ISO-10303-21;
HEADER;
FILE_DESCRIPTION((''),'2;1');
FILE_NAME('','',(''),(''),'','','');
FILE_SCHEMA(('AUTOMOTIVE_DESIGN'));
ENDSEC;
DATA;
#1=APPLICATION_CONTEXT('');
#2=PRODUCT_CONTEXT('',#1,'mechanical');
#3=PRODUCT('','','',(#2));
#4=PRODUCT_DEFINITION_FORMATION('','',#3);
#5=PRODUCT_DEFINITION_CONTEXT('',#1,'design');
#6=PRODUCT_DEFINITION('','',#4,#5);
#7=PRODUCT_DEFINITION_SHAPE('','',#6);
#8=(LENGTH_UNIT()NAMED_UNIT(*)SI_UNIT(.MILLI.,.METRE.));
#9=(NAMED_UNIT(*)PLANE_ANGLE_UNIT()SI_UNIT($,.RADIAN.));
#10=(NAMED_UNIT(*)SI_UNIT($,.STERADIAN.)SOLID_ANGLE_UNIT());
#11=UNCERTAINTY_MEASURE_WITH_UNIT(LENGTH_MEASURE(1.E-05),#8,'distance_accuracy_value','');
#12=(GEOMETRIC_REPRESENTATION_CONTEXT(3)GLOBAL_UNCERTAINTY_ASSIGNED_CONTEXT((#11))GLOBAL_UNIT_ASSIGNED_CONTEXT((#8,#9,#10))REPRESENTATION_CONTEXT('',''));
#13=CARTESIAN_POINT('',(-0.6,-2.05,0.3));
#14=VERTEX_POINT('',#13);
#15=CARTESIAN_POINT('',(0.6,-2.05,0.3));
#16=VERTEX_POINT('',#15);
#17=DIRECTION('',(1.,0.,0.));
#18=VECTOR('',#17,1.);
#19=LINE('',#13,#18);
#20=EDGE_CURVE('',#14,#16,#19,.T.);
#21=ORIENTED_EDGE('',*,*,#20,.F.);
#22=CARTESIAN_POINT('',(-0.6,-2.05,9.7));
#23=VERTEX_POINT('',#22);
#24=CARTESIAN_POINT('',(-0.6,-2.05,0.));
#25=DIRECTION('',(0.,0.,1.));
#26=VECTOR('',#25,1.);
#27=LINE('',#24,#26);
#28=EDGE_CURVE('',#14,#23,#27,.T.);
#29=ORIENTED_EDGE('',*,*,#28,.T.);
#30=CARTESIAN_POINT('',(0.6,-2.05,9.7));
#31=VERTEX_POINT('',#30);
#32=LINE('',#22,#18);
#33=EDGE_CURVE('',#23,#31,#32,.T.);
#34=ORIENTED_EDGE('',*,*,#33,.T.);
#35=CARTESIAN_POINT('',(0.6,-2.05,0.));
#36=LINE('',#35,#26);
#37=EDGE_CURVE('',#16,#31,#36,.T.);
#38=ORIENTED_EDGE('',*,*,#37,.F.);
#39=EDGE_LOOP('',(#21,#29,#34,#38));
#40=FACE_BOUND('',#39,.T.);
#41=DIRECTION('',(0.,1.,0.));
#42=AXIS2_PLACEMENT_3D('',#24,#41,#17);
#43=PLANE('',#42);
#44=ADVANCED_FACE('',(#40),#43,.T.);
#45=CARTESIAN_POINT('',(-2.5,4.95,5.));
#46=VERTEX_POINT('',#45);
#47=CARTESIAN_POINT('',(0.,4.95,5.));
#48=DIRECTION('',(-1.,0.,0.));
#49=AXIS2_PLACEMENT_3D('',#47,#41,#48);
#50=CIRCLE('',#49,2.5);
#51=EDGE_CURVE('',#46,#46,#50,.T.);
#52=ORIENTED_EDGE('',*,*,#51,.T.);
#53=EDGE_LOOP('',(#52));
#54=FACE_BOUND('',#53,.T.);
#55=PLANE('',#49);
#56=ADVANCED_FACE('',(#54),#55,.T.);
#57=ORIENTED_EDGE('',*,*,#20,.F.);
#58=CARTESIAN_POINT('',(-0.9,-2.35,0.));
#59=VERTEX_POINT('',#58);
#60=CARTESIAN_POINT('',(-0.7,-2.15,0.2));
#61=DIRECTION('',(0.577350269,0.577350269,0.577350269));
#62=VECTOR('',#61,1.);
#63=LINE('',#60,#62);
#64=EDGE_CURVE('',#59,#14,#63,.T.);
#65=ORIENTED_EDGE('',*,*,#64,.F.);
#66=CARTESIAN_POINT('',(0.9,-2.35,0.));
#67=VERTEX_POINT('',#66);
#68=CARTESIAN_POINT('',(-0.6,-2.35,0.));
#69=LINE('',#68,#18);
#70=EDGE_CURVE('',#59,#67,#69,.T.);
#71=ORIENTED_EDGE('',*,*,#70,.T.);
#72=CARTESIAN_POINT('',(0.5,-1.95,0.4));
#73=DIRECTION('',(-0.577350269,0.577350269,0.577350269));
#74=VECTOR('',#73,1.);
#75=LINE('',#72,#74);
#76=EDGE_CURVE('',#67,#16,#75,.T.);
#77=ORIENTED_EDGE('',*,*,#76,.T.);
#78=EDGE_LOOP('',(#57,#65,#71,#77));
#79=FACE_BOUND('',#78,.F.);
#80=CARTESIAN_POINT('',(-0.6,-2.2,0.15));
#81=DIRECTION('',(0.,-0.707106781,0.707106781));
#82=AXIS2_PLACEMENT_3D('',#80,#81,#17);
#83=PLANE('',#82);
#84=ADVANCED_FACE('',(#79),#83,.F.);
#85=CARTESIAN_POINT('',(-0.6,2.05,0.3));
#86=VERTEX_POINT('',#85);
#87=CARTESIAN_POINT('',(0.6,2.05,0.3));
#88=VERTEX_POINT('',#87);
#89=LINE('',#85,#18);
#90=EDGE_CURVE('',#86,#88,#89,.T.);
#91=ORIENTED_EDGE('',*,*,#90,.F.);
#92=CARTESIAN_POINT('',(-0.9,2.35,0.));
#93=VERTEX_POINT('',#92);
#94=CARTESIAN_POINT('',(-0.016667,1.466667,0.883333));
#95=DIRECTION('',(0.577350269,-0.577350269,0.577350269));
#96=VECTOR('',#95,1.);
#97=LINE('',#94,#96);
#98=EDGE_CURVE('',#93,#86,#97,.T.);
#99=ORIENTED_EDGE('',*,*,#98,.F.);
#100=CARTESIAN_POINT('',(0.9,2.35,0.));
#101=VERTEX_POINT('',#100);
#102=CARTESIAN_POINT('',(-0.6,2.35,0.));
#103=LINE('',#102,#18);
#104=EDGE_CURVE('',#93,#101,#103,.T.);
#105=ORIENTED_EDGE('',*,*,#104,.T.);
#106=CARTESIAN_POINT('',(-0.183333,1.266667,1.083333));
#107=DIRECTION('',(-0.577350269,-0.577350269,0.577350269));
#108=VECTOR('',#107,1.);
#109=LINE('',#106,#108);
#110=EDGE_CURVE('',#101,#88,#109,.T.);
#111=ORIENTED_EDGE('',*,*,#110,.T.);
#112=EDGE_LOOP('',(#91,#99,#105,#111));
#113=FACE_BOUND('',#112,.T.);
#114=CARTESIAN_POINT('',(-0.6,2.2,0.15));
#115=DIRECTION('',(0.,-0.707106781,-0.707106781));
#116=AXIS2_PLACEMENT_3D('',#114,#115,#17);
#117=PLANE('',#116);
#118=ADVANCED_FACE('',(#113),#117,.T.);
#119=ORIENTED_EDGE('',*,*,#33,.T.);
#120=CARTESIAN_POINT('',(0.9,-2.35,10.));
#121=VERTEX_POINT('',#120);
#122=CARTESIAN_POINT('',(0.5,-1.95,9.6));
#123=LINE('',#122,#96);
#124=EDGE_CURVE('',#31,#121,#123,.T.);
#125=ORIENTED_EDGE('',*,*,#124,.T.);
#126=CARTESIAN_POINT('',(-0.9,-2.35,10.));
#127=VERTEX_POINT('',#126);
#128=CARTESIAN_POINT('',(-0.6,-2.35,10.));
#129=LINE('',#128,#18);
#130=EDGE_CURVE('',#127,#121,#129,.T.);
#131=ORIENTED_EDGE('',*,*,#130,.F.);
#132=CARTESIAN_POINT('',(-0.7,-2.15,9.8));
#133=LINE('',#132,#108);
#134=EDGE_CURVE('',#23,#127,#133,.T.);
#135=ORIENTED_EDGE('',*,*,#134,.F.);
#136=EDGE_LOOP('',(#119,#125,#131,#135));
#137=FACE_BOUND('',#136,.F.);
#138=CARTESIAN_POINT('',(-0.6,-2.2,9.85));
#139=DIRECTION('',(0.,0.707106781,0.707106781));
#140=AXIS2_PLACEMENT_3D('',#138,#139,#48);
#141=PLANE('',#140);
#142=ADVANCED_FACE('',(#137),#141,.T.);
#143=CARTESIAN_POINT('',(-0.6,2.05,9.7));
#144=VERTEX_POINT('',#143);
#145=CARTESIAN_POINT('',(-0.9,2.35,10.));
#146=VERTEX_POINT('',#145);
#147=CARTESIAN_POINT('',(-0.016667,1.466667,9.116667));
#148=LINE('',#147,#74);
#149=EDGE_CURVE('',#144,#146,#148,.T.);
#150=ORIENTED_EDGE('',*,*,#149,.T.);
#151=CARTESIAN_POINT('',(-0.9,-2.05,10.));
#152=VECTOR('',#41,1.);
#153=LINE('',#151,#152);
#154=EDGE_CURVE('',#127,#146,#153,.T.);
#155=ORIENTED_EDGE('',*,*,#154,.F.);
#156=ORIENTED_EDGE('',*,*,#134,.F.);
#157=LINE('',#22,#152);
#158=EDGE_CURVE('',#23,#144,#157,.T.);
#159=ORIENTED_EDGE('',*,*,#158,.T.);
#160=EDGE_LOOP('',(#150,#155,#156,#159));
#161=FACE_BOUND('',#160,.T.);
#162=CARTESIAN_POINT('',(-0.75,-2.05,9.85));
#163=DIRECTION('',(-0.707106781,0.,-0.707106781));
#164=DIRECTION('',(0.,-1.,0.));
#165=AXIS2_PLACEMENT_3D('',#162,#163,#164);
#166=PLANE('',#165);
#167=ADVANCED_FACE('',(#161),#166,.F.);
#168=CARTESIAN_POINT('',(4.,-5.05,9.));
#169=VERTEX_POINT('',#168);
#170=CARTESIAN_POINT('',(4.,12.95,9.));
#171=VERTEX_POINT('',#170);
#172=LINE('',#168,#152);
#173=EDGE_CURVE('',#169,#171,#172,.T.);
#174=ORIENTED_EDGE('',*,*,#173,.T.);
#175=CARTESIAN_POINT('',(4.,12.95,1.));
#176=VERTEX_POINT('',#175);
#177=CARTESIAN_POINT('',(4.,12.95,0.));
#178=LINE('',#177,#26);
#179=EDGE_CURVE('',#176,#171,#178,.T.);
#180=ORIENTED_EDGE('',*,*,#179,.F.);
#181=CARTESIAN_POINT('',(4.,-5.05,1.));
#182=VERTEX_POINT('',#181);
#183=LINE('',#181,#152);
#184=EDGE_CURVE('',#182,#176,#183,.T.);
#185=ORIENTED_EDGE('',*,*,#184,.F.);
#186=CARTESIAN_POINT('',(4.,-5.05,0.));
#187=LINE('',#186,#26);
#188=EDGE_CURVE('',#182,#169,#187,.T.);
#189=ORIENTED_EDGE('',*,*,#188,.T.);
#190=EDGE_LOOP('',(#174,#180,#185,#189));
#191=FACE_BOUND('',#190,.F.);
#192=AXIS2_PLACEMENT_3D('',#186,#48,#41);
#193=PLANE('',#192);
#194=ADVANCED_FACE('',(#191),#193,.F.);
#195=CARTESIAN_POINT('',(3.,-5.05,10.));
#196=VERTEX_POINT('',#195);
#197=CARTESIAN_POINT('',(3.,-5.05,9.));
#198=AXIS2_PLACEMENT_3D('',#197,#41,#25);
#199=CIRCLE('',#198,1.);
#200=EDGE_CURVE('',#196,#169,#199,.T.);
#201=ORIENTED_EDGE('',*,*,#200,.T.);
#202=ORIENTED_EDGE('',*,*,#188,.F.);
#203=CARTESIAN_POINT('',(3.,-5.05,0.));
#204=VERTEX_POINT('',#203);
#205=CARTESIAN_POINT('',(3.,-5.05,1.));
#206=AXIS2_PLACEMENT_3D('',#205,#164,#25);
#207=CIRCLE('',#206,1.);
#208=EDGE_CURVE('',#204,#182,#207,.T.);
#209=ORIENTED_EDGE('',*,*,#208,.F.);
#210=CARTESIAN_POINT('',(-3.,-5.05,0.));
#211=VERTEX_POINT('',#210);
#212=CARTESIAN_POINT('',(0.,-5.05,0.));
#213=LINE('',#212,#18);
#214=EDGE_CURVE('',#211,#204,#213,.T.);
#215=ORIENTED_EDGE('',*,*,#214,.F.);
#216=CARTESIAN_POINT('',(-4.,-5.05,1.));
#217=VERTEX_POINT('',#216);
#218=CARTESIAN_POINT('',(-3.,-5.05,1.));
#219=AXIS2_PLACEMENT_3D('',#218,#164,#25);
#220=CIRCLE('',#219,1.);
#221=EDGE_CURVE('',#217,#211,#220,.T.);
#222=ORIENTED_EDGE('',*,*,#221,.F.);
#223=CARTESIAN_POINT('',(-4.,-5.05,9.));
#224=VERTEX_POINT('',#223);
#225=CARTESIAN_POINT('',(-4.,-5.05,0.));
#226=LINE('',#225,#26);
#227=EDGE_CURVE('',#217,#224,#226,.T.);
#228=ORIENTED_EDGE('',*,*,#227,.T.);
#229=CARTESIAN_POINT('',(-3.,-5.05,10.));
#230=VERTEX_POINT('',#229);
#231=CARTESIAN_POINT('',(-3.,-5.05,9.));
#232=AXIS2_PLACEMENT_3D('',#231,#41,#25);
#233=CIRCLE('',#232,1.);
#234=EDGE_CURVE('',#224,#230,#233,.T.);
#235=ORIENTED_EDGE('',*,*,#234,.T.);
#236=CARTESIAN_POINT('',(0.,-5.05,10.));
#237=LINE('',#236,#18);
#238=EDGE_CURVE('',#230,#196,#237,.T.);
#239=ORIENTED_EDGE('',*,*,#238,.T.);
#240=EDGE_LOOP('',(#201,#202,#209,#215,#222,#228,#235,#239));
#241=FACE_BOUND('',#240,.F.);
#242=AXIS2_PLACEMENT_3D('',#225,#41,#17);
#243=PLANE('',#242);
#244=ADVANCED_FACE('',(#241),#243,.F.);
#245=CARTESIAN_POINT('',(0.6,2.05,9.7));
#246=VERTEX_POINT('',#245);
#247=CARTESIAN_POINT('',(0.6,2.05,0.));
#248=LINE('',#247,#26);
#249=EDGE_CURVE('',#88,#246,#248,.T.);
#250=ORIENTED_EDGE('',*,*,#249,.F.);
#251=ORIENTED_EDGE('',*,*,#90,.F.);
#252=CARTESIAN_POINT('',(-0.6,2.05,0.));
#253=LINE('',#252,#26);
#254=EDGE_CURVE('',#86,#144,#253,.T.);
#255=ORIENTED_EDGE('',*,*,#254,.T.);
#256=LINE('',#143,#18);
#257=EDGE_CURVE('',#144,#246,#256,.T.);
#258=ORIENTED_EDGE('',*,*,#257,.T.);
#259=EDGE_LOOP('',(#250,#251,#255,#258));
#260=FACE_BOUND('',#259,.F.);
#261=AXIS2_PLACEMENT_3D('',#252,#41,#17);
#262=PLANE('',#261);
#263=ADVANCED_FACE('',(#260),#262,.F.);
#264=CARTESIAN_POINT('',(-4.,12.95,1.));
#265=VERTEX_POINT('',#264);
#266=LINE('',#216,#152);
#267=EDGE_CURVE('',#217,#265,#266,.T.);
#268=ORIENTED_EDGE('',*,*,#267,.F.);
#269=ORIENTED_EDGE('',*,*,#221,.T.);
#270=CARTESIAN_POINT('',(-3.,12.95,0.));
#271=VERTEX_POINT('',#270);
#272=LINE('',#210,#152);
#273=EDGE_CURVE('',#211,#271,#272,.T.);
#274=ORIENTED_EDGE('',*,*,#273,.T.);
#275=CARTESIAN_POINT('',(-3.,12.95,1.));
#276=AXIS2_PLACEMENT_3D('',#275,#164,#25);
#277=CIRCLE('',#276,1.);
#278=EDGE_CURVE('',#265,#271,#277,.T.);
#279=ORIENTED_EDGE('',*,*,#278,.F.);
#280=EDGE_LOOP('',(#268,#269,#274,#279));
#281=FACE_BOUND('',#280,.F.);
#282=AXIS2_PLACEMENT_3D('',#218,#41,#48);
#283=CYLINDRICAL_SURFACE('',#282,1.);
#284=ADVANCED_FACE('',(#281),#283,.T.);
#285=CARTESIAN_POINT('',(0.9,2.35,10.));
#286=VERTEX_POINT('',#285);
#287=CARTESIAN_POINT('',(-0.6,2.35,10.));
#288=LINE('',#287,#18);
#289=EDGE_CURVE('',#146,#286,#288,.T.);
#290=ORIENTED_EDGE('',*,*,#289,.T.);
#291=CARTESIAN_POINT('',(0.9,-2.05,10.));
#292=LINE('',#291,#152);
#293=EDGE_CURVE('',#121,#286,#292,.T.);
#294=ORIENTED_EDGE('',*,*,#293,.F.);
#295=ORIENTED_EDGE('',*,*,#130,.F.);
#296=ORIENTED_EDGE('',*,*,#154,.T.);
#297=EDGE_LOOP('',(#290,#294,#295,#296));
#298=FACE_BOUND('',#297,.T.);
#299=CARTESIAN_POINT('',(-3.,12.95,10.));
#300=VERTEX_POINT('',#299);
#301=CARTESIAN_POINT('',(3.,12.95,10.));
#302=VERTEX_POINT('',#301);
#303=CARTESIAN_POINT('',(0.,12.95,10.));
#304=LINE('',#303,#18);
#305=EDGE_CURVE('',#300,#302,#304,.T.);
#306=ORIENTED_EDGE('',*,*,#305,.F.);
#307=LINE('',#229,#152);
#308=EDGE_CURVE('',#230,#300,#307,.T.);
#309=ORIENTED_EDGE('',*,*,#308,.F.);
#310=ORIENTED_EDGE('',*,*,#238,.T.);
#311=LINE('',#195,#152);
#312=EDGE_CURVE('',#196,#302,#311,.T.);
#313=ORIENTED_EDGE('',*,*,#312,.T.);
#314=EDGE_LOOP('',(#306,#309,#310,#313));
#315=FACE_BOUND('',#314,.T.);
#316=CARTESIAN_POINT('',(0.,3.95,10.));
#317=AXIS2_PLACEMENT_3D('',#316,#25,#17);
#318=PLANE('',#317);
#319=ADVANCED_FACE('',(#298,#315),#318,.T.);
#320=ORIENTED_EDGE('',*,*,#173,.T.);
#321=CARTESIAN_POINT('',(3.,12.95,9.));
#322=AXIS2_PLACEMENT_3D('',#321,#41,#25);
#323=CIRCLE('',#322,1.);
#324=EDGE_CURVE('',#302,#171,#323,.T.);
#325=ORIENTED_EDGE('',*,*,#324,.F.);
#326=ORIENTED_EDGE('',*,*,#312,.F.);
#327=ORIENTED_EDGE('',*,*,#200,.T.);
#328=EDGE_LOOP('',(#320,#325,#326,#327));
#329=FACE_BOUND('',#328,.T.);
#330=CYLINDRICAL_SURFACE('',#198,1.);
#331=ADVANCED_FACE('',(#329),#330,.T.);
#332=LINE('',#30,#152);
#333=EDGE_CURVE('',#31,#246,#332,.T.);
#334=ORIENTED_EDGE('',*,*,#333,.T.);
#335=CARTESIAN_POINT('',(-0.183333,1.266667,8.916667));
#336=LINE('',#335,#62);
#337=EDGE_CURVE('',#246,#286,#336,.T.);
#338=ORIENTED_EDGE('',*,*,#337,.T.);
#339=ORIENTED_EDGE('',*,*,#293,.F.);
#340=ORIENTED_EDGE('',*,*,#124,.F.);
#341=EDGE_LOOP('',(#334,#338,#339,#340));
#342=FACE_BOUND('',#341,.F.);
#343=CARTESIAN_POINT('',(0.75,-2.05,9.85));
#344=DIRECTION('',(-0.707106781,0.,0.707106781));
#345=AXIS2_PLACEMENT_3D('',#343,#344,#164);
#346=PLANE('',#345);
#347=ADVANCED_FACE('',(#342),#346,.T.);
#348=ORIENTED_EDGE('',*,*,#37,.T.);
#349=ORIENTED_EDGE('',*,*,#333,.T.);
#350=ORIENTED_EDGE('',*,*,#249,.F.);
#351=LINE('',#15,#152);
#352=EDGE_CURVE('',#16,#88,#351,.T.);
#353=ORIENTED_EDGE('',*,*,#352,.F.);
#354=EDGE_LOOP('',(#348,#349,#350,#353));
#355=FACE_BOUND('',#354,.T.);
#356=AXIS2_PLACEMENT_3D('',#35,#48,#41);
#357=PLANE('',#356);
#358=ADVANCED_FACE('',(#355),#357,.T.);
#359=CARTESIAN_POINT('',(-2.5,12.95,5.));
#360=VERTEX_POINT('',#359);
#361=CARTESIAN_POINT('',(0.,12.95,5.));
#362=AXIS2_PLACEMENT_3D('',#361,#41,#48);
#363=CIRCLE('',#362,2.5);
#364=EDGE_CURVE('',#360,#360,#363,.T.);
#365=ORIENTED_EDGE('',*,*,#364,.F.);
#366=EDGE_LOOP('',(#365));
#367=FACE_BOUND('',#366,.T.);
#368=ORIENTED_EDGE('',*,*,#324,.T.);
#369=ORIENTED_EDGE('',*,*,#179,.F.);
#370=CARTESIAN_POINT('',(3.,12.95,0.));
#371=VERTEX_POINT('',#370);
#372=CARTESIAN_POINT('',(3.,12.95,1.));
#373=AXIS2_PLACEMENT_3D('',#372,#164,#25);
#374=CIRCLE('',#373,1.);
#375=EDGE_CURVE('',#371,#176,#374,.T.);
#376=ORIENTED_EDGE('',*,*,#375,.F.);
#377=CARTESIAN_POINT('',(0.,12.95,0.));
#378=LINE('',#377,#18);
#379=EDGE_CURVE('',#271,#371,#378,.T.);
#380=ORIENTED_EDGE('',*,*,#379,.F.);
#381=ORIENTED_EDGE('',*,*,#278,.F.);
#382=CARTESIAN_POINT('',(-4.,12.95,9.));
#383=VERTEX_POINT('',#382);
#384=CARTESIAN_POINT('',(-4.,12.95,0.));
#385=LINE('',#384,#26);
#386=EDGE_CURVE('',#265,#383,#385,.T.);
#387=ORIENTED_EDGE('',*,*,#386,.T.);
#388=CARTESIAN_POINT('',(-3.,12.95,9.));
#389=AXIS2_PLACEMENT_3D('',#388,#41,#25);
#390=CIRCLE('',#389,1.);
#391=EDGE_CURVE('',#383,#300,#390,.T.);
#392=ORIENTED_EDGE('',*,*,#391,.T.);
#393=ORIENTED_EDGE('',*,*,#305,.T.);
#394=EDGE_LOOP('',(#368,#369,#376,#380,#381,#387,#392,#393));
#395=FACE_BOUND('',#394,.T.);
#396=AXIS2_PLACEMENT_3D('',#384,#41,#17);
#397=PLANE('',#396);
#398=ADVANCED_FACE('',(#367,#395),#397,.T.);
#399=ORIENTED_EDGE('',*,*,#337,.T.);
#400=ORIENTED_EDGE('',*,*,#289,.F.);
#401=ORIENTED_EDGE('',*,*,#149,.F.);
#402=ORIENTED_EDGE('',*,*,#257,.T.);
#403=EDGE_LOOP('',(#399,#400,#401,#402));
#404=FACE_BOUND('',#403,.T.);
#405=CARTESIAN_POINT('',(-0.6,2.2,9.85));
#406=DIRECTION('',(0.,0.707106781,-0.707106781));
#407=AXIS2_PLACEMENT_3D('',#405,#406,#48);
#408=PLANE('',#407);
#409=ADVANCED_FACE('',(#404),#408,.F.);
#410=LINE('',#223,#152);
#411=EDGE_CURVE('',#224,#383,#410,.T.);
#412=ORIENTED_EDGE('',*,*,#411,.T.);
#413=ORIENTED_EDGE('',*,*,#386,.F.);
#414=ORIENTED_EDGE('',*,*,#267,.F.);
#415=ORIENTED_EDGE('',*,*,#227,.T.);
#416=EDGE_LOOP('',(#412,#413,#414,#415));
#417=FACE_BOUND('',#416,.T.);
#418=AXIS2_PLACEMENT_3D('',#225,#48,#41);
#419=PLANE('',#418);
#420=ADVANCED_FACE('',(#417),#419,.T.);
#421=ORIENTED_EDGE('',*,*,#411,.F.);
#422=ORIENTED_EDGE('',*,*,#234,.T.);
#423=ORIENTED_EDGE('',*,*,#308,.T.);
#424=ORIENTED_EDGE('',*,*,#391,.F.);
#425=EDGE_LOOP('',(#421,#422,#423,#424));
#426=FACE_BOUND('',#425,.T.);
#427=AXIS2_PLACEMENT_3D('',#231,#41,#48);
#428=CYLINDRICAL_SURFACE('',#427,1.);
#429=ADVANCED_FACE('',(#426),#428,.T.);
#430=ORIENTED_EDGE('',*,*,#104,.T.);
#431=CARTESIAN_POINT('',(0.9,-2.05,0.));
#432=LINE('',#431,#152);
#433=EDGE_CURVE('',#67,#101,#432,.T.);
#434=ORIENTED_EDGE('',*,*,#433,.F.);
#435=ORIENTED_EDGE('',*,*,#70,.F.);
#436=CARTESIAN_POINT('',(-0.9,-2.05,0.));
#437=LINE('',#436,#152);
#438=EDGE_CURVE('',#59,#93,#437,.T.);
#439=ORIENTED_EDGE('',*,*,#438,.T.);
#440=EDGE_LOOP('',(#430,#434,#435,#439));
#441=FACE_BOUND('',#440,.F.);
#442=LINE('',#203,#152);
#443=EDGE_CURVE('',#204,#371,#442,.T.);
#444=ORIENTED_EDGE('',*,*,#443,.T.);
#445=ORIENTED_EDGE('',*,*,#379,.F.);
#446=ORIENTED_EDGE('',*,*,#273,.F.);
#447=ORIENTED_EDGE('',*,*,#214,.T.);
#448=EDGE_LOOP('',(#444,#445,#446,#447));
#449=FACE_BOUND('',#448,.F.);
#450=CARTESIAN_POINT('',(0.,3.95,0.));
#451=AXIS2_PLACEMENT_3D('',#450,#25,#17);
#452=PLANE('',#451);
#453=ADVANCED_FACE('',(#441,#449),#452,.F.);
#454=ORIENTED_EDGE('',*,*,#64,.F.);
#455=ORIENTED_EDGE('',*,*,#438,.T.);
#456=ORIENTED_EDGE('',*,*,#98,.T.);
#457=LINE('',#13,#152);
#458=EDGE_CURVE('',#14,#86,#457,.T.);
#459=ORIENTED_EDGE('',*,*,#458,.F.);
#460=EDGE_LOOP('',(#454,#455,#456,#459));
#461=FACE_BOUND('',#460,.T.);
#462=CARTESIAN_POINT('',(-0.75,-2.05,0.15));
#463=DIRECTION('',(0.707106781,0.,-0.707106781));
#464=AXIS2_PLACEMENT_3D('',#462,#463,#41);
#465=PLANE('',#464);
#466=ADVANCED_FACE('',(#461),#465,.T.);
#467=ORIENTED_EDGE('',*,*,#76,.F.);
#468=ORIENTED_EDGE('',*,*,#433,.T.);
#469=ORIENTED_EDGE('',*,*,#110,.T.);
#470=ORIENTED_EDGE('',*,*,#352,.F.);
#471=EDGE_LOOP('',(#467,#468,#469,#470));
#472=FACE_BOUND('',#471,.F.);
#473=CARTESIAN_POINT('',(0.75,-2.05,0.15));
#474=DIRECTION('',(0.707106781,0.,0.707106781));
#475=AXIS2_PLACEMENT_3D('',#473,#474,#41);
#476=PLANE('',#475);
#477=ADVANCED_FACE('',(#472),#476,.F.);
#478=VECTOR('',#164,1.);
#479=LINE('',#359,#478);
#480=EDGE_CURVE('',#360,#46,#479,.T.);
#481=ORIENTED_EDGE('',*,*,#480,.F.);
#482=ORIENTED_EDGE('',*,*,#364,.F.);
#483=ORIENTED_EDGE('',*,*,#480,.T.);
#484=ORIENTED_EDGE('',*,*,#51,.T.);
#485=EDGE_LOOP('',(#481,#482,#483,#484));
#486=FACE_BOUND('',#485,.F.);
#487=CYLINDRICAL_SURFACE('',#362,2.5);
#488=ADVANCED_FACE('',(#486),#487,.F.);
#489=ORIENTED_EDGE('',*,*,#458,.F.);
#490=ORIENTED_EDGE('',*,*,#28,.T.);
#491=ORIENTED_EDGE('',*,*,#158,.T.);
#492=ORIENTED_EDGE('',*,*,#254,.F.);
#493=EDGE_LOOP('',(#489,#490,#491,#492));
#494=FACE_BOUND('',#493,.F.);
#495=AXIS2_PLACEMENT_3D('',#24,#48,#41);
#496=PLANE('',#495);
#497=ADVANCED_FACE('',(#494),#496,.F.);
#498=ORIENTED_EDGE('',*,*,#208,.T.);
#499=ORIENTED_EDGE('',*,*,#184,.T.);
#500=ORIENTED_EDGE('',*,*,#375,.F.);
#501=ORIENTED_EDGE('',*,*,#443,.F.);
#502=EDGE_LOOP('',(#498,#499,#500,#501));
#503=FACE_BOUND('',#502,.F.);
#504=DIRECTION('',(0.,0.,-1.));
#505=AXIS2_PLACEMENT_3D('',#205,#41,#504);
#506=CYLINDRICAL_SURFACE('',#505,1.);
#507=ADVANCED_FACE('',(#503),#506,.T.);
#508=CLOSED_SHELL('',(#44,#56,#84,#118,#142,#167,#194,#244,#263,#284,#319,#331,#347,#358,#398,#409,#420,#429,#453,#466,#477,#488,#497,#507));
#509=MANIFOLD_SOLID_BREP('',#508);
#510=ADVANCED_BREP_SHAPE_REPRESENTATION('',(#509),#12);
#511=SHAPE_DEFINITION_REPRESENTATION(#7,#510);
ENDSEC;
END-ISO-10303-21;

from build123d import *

# Parameters (mm, degrees)
SKETCH016_W     = 8
SKETCH016_H     = 18
SKETCH016_W_2   = 1.2
SKETCH016_H_2   = 4.1
PAD011_DEPTH    = 10
SKETCH017_R     = 2.5
POCKET009_DEPTH = 8
FILLET001_R     = 1
CHAMFER001_SIZE = 0.3
CHAMFER002_SIZE = 0.3


with BuildPart() as part:
    # Sketch016 → Pad011 (new body)
    with BuildSketch(Plane.XY):
        with Locations((0, 3.95)):
            Rectangle(SKETCH016_W, SKETCH016_H)
        Rectangle(SKETCH016_W_2, SKETCH016_H_2, mode=Mode.SUBTRACT)
    extrude(amount=PAD011_DEPTH)

    # Sketch017 (on Face1 of Pad011) → Pocket009 (cut)
    with BuildSketch(Plane(origin=(0, 12.95, 0), x_dir=(-1, 0, 0), z_dir=(0, 1, 0))):
        with Locations((0, 5)):
            Circle(SKETCH017_R)
    extrude(amount=-POCKET009_DEPTH, mode=Mode.SUBTRACT)

    # Fillet001
    fillet001_edges = [part.edges().sort_by_distance(p)[0] for p in [
        (4, 3.95, 0),
        (4, 3.95, 10),
        (-4, 3.95, 10),
        (-4, 3.95, 0),
    ]]
    fillet(fillet001_edges, radius=FILLET001_R)

    # Chamfer001
    chamfer001_edges = [part.edges().sort_by_distance(p)[0] for p in [
        (0, -2.05, 0),
        (0.6, 0, 0),
        (0, 2.05, 0),
        (-0.6, 0, 0),
    ]]
    chamfer(chamfer001_edges, length=CHAMFER001_SIZE)

    # Chamfer002
    chamfer002_edges = [part.edges().sort_by_distance(p)[0] for p in [
        (-0.6, 0, 10),
        (0, -2.05, 10),
        (0.6, 0, 10),
        (0, 2.05, 10),
    ]]
    chamfer(chamfer002_edges, length=CHAMFER002_SIZE)


solid = part.part
